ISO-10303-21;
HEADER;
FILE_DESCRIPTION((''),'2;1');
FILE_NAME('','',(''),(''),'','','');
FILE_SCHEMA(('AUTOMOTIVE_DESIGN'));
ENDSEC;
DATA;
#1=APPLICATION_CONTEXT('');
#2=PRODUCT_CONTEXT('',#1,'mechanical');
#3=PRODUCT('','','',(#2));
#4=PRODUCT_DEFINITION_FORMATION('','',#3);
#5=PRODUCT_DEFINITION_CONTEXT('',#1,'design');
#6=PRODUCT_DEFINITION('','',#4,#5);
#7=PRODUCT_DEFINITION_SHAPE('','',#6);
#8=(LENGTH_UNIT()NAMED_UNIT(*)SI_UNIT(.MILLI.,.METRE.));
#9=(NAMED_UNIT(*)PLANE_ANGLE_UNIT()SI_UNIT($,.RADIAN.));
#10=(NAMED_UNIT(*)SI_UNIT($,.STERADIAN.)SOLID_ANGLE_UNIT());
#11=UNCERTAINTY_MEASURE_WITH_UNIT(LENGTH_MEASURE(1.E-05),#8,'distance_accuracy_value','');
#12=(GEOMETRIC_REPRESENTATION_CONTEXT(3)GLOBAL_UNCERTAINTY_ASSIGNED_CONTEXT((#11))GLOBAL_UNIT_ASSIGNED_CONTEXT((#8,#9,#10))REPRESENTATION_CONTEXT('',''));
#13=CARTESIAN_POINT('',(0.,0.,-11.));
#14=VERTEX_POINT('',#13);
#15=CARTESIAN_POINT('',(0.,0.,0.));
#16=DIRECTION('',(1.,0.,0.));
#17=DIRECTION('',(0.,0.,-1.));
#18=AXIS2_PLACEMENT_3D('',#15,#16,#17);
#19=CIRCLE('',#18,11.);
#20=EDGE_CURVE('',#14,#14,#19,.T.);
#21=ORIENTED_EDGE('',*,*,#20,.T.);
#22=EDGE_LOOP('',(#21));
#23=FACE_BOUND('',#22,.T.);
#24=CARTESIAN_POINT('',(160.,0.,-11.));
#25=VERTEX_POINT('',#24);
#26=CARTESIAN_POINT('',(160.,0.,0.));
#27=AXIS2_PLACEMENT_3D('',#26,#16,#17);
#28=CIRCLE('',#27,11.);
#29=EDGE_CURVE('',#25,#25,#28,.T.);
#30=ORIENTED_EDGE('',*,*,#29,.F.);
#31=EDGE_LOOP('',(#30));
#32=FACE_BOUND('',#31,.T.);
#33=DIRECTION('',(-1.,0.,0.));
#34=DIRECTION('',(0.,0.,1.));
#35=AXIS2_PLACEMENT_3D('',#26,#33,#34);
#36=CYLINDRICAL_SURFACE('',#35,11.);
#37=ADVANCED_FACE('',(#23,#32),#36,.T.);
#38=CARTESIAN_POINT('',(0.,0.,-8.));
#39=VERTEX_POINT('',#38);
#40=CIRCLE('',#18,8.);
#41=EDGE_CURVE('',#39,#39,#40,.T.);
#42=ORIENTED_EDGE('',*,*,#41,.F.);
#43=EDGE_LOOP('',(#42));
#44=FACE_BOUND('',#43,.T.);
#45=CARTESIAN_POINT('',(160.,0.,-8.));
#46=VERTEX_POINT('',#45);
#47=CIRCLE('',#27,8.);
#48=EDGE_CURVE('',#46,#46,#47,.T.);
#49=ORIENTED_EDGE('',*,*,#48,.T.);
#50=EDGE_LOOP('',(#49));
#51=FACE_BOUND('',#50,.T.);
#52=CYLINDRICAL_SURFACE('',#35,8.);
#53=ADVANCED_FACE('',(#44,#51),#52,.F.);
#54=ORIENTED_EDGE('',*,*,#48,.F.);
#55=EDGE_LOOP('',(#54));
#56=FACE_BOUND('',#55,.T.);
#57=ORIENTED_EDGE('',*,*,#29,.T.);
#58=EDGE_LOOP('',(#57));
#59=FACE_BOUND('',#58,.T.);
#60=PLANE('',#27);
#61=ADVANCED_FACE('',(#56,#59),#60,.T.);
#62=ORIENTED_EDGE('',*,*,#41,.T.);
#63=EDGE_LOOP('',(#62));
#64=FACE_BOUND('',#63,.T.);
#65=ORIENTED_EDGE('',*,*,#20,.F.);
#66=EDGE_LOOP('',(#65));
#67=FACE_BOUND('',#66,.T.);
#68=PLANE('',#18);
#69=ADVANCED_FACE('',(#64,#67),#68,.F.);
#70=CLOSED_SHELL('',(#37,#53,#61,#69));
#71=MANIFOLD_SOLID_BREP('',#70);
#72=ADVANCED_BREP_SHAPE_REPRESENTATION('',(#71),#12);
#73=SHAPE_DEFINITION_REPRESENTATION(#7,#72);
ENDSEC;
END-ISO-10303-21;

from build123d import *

# Parameters (mm, degrees)
ESQUISSE1_R        = 11
ESQUISSE1_R_2      = 8
BOSS_EXTRU_1_DEPTH = 160


with BuildPart() as part:
    # Esquisse1 → Boss.-Extru.1 (new body)
    with BuildSketch(Plane(origin=(0, 0, 0), x_dir=(0, 0, -1), z_dir=(1, 0, 0))):
        Circle(ESQUISSE1_R)
        Circle(ESQUISSE1_R_2, mode=Mode.SUBTRACT)
    extrude(amount=BOSS_EXTRU_1_DEPTH)


solid = part.part
